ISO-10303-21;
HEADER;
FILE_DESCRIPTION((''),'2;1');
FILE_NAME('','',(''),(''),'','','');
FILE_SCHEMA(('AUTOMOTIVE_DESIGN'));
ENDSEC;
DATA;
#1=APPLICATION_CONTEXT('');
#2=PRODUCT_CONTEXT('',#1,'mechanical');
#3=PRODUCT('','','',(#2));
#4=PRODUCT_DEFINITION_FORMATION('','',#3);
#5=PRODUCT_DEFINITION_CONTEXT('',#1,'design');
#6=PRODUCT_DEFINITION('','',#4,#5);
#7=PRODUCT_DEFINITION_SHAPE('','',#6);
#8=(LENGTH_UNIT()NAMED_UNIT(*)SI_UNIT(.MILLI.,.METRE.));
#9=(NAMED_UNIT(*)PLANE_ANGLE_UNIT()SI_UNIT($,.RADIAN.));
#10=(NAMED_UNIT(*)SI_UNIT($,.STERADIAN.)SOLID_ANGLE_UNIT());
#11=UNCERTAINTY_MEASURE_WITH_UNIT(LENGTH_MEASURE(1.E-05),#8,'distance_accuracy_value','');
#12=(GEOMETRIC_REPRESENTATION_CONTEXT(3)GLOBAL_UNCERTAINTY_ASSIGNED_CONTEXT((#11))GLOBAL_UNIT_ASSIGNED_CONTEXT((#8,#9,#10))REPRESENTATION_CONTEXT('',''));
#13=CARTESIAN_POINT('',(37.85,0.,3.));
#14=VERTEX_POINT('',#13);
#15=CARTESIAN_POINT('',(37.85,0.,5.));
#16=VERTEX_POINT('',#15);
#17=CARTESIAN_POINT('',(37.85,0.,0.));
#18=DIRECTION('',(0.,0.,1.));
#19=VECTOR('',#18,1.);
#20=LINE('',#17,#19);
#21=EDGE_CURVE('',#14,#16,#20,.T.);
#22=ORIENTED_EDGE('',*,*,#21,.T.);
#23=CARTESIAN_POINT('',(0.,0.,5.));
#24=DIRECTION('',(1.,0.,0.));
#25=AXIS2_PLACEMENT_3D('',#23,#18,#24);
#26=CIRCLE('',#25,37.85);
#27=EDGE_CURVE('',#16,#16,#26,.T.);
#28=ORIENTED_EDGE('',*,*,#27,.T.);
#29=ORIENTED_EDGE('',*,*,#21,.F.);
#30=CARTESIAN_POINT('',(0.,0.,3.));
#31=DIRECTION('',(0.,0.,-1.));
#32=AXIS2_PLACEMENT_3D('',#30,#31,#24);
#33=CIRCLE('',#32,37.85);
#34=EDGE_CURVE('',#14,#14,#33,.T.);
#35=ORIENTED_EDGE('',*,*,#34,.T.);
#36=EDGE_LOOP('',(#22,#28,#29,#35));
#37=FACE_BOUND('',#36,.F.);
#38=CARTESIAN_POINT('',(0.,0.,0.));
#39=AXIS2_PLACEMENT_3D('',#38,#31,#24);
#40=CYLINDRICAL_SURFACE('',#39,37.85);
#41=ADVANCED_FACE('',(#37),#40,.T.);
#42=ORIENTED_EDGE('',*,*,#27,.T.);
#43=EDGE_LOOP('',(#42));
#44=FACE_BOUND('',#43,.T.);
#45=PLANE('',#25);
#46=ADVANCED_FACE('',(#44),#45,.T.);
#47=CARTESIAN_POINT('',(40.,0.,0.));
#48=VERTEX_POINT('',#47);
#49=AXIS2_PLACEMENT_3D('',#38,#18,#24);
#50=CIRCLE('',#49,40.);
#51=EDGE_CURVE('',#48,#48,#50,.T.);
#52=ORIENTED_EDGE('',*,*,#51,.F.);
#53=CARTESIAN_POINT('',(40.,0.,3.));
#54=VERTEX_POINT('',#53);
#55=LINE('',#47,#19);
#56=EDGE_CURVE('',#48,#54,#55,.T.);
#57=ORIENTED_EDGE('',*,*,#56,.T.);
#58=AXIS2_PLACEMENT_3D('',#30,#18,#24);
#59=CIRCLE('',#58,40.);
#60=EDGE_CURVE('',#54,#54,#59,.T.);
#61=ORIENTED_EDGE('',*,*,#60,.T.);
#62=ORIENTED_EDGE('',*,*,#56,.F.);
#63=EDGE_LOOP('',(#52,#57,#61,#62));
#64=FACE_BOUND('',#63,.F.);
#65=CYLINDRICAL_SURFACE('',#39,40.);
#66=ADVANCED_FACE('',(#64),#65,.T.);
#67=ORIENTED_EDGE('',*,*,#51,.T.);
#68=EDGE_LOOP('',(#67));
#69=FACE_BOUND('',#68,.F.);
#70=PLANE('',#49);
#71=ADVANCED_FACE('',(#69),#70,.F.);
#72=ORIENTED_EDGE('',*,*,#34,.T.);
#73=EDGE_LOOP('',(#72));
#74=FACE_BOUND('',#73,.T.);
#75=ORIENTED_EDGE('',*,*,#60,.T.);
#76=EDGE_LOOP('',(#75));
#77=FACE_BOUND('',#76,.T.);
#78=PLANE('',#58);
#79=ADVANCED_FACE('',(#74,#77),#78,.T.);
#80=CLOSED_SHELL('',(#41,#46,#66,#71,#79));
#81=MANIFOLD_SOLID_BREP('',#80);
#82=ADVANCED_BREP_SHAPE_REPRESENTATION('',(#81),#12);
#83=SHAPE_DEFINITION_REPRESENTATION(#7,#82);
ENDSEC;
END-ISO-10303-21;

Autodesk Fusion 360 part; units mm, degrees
sketch "Sketch1" plane through (0, 0, 0) normal (0, 0, 1) x (1, 0, 0)
  circle A0 centre (0, 0) radius 40
  circle A1 centre (0, 0) radius 37.85
  dimension "d1" = 80
  dimension "d2" = 75.7
extrude "Extrude1" add sketch "Sketch1" along normal blind 3 contours A0 | A1
extrude "Extrude2" add sketch "Sketch1" along normal blind 5 contours A1
